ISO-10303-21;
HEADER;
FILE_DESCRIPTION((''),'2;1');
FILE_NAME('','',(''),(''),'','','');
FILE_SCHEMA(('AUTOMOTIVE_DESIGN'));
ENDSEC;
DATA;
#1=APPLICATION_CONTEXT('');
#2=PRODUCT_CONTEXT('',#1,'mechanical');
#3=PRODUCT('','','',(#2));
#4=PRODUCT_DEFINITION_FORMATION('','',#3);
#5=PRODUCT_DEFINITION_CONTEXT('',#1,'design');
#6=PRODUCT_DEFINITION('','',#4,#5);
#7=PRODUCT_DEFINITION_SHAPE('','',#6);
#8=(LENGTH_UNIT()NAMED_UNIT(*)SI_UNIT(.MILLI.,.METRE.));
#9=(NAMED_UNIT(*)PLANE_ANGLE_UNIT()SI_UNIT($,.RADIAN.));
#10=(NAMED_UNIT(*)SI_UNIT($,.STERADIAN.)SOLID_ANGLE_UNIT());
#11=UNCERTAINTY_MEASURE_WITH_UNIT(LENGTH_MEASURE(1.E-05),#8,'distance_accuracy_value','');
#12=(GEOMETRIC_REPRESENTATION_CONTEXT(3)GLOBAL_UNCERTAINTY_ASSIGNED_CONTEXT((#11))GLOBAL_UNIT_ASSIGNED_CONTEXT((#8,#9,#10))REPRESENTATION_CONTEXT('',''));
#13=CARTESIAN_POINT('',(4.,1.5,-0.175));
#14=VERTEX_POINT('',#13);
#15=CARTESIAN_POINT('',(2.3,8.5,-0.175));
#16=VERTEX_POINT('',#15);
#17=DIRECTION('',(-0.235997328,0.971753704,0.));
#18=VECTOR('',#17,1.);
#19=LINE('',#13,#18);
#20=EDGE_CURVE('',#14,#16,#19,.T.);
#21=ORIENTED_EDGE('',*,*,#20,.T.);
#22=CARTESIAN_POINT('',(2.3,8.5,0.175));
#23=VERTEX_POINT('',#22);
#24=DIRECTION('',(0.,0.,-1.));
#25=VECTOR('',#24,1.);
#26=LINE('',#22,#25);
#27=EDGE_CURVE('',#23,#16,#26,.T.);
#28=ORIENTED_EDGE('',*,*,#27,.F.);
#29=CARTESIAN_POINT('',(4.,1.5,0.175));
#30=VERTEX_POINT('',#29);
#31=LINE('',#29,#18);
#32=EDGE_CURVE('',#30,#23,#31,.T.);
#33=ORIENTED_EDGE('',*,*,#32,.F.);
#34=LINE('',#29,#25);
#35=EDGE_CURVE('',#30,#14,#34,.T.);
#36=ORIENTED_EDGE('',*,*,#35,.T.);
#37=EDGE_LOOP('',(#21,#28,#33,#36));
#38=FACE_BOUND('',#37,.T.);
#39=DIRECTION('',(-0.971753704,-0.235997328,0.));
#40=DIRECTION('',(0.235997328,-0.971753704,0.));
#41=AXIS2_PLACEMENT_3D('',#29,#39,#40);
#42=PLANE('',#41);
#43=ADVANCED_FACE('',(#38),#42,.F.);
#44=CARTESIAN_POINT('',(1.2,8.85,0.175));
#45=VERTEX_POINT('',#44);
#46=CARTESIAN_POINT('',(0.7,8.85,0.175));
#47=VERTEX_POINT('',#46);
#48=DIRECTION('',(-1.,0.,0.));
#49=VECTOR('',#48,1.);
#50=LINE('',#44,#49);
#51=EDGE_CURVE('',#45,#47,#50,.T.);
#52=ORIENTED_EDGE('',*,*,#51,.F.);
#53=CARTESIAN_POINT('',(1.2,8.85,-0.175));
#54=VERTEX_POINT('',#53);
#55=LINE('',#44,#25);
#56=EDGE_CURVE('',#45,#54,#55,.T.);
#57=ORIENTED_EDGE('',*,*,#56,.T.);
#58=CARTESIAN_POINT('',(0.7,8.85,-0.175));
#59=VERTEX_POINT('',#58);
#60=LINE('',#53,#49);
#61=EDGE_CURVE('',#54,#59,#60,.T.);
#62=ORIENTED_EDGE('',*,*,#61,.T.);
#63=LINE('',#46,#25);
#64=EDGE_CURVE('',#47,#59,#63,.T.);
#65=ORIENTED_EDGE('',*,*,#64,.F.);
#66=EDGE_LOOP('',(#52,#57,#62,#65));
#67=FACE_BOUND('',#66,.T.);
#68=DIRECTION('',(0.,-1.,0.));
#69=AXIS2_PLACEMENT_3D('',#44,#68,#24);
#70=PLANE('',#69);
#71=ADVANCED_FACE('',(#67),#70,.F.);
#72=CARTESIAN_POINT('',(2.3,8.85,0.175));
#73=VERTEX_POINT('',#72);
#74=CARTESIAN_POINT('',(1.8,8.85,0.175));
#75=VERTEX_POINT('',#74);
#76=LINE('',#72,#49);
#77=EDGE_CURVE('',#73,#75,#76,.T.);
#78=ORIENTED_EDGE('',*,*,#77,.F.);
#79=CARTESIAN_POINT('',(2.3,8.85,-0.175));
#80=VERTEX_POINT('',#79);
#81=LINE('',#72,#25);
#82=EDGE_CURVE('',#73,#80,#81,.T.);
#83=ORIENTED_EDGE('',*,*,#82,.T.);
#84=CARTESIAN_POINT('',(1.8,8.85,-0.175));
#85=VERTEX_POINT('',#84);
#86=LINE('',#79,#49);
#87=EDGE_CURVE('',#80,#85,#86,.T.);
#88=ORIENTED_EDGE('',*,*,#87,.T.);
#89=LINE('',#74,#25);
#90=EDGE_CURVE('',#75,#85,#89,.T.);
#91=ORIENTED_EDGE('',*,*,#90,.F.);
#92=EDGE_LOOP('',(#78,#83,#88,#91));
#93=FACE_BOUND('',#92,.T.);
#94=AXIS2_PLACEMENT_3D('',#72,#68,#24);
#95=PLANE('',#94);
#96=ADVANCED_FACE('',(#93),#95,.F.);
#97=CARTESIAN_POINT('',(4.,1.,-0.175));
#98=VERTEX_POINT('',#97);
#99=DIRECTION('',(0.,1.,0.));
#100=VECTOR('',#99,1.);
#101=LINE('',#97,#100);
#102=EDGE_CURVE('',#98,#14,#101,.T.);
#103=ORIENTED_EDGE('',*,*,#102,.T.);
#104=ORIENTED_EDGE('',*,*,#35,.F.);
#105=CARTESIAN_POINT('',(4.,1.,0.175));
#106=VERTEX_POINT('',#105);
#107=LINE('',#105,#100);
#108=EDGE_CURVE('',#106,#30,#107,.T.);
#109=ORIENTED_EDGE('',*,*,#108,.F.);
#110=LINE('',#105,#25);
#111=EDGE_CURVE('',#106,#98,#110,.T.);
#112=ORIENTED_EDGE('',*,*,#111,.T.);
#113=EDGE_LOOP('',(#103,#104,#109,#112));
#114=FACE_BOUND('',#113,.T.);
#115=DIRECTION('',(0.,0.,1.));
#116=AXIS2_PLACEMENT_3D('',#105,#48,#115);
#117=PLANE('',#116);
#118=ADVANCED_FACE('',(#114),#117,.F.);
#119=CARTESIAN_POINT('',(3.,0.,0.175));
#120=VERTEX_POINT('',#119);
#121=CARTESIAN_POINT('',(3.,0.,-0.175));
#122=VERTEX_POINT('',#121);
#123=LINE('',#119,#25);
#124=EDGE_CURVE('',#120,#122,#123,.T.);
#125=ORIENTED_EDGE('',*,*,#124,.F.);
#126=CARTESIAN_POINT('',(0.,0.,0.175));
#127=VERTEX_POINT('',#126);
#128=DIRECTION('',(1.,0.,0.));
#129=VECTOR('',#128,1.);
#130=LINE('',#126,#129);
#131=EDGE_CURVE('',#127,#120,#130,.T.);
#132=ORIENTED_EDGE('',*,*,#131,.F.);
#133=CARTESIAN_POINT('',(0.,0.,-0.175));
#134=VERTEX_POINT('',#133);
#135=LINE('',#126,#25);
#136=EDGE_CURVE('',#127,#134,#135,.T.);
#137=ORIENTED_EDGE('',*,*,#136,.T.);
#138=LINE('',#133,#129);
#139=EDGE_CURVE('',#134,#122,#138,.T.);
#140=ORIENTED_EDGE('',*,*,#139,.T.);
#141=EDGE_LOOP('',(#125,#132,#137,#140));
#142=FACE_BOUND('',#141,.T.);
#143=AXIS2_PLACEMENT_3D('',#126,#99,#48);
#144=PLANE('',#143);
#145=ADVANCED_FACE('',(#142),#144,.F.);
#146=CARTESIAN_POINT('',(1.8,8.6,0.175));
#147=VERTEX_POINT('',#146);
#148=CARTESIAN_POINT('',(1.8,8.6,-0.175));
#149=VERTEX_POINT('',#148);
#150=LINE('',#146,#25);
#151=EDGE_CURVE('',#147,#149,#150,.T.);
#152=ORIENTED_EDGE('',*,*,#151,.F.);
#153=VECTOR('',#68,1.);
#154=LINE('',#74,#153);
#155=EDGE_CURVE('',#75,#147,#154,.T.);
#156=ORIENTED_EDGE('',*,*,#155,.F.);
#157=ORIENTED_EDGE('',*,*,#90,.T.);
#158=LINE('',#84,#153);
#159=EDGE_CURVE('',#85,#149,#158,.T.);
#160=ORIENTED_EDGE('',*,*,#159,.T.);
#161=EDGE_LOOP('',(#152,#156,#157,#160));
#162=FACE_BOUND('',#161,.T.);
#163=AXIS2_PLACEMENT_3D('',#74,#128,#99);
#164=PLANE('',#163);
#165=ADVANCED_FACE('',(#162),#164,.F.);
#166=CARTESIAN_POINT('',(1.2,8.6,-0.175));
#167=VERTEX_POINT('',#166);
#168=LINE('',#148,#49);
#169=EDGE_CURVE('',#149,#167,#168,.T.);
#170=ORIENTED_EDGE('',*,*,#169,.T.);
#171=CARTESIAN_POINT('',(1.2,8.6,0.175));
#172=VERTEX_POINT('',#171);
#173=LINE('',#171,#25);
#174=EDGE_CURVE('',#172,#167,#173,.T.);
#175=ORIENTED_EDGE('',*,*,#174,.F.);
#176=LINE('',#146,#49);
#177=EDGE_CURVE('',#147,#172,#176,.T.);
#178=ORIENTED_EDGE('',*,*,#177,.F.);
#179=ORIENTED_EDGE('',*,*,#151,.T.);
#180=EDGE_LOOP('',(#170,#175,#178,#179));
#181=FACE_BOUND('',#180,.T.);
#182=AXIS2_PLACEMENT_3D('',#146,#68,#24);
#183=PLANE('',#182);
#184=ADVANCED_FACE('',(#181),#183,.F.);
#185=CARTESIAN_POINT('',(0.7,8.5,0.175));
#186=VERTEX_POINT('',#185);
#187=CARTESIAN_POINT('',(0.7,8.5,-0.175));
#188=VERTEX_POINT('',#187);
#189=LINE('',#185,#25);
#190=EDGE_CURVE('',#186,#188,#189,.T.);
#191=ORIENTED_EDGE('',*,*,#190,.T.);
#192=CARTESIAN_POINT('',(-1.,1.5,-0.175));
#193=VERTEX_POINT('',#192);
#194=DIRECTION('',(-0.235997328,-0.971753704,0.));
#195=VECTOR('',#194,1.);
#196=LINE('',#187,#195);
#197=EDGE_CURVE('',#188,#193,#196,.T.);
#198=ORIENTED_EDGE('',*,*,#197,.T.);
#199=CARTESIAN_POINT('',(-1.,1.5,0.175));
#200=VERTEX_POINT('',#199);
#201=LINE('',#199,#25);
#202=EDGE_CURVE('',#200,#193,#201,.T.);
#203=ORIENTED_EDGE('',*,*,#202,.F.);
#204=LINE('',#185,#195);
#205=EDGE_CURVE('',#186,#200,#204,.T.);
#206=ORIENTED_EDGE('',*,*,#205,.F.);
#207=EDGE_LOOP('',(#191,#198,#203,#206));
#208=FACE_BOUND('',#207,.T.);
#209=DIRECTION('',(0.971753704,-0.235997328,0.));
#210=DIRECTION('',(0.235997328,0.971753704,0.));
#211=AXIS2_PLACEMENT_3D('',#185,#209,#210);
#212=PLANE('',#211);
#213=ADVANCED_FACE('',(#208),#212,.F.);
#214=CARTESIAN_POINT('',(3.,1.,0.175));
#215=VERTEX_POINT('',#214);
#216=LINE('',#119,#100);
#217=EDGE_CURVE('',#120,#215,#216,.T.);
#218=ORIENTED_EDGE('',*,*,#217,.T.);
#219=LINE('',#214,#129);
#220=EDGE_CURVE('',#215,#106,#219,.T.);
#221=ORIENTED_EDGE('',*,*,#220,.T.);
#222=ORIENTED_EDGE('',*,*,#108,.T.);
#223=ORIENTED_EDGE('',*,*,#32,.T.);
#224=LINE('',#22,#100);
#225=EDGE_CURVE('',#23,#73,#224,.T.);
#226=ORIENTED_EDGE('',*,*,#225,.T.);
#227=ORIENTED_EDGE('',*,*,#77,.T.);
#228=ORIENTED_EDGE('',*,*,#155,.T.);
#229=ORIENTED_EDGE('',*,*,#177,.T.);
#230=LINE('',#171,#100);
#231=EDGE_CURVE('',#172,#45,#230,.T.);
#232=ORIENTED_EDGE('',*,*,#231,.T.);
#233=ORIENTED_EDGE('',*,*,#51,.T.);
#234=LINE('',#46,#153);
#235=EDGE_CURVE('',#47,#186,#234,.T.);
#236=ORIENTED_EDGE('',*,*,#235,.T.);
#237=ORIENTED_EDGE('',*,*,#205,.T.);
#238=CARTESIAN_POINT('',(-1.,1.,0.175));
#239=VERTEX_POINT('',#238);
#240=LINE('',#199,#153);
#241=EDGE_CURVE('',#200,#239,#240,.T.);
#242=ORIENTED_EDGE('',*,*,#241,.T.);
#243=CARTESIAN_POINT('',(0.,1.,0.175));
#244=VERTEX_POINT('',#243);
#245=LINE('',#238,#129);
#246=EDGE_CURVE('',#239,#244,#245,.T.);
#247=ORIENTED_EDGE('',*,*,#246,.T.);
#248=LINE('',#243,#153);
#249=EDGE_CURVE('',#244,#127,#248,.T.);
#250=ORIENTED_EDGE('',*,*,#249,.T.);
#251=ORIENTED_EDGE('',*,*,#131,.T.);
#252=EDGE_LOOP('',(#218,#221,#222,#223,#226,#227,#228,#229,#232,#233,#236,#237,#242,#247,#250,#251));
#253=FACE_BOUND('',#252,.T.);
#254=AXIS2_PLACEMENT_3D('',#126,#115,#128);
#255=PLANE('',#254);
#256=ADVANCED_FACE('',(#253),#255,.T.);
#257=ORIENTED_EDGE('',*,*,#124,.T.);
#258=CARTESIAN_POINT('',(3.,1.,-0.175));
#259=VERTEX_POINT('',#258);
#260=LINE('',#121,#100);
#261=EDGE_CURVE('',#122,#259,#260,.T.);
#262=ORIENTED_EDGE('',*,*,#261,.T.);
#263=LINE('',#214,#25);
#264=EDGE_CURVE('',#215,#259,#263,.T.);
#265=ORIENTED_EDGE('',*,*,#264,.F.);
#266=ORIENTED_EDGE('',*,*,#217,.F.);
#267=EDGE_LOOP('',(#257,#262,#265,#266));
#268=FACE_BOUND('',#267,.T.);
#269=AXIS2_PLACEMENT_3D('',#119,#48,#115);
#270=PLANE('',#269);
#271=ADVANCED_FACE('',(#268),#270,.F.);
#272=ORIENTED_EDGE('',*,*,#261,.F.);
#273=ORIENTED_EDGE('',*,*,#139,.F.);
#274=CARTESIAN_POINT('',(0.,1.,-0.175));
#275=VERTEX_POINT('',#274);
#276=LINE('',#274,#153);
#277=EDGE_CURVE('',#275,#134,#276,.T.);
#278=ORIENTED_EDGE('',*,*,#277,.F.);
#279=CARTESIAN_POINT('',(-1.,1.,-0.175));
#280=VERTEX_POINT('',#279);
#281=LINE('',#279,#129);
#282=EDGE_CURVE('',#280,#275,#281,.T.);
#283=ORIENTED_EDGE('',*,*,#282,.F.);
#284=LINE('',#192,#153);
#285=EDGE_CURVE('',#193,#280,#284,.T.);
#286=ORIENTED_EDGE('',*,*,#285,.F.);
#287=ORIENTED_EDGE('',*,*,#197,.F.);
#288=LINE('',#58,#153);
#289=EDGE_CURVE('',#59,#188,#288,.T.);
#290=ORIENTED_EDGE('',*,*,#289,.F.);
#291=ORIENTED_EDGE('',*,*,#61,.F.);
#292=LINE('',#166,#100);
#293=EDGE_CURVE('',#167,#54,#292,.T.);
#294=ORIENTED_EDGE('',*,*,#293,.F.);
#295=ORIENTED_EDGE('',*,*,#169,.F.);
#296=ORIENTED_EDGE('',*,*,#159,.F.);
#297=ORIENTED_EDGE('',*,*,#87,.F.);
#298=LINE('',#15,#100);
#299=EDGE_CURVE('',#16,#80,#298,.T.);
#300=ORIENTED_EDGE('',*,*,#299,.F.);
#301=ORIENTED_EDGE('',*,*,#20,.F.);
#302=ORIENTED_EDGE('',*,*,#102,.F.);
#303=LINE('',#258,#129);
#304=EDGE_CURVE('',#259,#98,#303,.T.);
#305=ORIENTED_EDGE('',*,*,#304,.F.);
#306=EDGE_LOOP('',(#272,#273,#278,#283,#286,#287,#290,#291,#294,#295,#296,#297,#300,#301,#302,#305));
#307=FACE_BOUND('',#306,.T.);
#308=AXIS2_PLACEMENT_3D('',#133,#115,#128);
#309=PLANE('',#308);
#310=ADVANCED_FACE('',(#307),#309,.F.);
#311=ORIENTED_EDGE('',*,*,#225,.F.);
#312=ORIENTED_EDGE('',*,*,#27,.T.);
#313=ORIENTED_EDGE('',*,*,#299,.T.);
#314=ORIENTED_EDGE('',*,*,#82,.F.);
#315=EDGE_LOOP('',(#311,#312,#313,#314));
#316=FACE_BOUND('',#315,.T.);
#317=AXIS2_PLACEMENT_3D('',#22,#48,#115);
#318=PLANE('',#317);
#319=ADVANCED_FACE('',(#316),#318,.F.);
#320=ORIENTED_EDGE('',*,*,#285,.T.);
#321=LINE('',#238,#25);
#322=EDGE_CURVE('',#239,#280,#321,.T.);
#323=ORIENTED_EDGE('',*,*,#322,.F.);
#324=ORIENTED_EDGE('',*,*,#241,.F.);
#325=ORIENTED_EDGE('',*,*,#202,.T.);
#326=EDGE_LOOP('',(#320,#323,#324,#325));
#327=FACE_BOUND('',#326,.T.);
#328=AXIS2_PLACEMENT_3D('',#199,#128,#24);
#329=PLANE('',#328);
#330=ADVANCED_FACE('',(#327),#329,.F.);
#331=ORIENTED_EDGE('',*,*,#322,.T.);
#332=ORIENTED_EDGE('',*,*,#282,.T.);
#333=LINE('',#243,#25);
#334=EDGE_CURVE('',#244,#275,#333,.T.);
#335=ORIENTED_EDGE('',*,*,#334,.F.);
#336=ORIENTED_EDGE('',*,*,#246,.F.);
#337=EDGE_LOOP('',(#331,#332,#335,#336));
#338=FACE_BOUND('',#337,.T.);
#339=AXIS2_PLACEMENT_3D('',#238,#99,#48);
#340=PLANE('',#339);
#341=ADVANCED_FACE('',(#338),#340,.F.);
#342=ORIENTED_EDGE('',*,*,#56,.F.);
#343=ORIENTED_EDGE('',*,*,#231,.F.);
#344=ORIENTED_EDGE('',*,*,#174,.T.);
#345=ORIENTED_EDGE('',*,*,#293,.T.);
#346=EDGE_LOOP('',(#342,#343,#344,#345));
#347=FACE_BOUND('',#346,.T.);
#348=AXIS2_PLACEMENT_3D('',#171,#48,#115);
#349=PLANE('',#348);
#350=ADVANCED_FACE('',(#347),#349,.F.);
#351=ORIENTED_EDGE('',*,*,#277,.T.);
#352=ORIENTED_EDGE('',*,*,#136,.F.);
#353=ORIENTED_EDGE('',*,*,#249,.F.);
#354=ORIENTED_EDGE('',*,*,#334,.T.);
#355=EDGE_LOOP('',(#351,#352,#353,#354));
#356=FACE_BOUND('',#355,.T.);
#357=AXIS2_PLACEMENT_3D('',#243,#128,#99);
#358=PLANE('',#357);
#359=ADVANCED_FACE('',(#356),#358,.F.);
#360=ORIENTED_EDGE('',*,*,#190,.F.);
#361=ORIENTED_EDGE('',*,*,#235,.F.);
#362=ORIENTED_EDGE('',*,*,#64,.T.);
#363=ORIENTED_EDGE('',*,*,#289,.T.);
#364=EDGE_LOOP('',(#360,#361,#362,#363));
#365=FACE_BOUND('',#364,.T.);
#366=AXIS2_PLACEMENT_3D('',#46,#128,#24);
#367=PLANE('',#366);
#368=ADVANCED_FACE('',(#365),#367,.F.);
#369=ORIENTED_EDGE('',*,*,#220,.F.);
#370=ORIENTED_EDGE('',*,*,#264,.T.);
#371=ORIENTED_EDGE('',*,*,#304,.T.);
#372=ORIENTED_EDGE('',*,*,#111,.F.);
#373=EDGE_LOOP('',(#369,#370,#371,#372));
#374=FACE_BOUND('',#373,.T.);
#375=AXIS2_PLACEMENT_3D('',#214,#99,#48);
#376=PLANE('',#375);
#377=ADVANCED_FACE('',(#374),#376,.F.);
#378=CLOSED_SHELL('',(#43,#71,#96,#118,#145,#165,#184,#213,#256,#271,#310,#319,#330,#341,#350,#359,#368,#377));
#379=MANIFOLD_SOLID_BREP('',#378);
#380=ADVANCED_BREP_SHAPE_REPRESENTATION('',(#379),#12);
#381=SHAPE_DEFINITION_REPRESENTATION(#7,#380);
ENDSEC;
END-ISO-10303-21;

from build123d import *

# Parameters (mm, degrees)
BOSS_EXTRUDE1_DEPTH = 0.175


with BuildPart() as part:
    # frame_outline → Boss-Extrude1 (new, symmetric)
    with BuildSketch(Plane.XY):
        Polygon((0, 0), (3, 0), (3, 1), (4, 1), (4, 1.5), (2.3, 8.5), (2.3, 8.85), (1.8, 8.85), (1.8, 8.6), (1.2, 8.6), (1.2, 8.85), (0.7, 8.85), (0.7, 8.5), (-1, 1.5), (-1, 1), (0, 1), align=None)
    extrude(amount=BOSS_EXTRUDE1_DEPTH, both=True)


solid = part.part
